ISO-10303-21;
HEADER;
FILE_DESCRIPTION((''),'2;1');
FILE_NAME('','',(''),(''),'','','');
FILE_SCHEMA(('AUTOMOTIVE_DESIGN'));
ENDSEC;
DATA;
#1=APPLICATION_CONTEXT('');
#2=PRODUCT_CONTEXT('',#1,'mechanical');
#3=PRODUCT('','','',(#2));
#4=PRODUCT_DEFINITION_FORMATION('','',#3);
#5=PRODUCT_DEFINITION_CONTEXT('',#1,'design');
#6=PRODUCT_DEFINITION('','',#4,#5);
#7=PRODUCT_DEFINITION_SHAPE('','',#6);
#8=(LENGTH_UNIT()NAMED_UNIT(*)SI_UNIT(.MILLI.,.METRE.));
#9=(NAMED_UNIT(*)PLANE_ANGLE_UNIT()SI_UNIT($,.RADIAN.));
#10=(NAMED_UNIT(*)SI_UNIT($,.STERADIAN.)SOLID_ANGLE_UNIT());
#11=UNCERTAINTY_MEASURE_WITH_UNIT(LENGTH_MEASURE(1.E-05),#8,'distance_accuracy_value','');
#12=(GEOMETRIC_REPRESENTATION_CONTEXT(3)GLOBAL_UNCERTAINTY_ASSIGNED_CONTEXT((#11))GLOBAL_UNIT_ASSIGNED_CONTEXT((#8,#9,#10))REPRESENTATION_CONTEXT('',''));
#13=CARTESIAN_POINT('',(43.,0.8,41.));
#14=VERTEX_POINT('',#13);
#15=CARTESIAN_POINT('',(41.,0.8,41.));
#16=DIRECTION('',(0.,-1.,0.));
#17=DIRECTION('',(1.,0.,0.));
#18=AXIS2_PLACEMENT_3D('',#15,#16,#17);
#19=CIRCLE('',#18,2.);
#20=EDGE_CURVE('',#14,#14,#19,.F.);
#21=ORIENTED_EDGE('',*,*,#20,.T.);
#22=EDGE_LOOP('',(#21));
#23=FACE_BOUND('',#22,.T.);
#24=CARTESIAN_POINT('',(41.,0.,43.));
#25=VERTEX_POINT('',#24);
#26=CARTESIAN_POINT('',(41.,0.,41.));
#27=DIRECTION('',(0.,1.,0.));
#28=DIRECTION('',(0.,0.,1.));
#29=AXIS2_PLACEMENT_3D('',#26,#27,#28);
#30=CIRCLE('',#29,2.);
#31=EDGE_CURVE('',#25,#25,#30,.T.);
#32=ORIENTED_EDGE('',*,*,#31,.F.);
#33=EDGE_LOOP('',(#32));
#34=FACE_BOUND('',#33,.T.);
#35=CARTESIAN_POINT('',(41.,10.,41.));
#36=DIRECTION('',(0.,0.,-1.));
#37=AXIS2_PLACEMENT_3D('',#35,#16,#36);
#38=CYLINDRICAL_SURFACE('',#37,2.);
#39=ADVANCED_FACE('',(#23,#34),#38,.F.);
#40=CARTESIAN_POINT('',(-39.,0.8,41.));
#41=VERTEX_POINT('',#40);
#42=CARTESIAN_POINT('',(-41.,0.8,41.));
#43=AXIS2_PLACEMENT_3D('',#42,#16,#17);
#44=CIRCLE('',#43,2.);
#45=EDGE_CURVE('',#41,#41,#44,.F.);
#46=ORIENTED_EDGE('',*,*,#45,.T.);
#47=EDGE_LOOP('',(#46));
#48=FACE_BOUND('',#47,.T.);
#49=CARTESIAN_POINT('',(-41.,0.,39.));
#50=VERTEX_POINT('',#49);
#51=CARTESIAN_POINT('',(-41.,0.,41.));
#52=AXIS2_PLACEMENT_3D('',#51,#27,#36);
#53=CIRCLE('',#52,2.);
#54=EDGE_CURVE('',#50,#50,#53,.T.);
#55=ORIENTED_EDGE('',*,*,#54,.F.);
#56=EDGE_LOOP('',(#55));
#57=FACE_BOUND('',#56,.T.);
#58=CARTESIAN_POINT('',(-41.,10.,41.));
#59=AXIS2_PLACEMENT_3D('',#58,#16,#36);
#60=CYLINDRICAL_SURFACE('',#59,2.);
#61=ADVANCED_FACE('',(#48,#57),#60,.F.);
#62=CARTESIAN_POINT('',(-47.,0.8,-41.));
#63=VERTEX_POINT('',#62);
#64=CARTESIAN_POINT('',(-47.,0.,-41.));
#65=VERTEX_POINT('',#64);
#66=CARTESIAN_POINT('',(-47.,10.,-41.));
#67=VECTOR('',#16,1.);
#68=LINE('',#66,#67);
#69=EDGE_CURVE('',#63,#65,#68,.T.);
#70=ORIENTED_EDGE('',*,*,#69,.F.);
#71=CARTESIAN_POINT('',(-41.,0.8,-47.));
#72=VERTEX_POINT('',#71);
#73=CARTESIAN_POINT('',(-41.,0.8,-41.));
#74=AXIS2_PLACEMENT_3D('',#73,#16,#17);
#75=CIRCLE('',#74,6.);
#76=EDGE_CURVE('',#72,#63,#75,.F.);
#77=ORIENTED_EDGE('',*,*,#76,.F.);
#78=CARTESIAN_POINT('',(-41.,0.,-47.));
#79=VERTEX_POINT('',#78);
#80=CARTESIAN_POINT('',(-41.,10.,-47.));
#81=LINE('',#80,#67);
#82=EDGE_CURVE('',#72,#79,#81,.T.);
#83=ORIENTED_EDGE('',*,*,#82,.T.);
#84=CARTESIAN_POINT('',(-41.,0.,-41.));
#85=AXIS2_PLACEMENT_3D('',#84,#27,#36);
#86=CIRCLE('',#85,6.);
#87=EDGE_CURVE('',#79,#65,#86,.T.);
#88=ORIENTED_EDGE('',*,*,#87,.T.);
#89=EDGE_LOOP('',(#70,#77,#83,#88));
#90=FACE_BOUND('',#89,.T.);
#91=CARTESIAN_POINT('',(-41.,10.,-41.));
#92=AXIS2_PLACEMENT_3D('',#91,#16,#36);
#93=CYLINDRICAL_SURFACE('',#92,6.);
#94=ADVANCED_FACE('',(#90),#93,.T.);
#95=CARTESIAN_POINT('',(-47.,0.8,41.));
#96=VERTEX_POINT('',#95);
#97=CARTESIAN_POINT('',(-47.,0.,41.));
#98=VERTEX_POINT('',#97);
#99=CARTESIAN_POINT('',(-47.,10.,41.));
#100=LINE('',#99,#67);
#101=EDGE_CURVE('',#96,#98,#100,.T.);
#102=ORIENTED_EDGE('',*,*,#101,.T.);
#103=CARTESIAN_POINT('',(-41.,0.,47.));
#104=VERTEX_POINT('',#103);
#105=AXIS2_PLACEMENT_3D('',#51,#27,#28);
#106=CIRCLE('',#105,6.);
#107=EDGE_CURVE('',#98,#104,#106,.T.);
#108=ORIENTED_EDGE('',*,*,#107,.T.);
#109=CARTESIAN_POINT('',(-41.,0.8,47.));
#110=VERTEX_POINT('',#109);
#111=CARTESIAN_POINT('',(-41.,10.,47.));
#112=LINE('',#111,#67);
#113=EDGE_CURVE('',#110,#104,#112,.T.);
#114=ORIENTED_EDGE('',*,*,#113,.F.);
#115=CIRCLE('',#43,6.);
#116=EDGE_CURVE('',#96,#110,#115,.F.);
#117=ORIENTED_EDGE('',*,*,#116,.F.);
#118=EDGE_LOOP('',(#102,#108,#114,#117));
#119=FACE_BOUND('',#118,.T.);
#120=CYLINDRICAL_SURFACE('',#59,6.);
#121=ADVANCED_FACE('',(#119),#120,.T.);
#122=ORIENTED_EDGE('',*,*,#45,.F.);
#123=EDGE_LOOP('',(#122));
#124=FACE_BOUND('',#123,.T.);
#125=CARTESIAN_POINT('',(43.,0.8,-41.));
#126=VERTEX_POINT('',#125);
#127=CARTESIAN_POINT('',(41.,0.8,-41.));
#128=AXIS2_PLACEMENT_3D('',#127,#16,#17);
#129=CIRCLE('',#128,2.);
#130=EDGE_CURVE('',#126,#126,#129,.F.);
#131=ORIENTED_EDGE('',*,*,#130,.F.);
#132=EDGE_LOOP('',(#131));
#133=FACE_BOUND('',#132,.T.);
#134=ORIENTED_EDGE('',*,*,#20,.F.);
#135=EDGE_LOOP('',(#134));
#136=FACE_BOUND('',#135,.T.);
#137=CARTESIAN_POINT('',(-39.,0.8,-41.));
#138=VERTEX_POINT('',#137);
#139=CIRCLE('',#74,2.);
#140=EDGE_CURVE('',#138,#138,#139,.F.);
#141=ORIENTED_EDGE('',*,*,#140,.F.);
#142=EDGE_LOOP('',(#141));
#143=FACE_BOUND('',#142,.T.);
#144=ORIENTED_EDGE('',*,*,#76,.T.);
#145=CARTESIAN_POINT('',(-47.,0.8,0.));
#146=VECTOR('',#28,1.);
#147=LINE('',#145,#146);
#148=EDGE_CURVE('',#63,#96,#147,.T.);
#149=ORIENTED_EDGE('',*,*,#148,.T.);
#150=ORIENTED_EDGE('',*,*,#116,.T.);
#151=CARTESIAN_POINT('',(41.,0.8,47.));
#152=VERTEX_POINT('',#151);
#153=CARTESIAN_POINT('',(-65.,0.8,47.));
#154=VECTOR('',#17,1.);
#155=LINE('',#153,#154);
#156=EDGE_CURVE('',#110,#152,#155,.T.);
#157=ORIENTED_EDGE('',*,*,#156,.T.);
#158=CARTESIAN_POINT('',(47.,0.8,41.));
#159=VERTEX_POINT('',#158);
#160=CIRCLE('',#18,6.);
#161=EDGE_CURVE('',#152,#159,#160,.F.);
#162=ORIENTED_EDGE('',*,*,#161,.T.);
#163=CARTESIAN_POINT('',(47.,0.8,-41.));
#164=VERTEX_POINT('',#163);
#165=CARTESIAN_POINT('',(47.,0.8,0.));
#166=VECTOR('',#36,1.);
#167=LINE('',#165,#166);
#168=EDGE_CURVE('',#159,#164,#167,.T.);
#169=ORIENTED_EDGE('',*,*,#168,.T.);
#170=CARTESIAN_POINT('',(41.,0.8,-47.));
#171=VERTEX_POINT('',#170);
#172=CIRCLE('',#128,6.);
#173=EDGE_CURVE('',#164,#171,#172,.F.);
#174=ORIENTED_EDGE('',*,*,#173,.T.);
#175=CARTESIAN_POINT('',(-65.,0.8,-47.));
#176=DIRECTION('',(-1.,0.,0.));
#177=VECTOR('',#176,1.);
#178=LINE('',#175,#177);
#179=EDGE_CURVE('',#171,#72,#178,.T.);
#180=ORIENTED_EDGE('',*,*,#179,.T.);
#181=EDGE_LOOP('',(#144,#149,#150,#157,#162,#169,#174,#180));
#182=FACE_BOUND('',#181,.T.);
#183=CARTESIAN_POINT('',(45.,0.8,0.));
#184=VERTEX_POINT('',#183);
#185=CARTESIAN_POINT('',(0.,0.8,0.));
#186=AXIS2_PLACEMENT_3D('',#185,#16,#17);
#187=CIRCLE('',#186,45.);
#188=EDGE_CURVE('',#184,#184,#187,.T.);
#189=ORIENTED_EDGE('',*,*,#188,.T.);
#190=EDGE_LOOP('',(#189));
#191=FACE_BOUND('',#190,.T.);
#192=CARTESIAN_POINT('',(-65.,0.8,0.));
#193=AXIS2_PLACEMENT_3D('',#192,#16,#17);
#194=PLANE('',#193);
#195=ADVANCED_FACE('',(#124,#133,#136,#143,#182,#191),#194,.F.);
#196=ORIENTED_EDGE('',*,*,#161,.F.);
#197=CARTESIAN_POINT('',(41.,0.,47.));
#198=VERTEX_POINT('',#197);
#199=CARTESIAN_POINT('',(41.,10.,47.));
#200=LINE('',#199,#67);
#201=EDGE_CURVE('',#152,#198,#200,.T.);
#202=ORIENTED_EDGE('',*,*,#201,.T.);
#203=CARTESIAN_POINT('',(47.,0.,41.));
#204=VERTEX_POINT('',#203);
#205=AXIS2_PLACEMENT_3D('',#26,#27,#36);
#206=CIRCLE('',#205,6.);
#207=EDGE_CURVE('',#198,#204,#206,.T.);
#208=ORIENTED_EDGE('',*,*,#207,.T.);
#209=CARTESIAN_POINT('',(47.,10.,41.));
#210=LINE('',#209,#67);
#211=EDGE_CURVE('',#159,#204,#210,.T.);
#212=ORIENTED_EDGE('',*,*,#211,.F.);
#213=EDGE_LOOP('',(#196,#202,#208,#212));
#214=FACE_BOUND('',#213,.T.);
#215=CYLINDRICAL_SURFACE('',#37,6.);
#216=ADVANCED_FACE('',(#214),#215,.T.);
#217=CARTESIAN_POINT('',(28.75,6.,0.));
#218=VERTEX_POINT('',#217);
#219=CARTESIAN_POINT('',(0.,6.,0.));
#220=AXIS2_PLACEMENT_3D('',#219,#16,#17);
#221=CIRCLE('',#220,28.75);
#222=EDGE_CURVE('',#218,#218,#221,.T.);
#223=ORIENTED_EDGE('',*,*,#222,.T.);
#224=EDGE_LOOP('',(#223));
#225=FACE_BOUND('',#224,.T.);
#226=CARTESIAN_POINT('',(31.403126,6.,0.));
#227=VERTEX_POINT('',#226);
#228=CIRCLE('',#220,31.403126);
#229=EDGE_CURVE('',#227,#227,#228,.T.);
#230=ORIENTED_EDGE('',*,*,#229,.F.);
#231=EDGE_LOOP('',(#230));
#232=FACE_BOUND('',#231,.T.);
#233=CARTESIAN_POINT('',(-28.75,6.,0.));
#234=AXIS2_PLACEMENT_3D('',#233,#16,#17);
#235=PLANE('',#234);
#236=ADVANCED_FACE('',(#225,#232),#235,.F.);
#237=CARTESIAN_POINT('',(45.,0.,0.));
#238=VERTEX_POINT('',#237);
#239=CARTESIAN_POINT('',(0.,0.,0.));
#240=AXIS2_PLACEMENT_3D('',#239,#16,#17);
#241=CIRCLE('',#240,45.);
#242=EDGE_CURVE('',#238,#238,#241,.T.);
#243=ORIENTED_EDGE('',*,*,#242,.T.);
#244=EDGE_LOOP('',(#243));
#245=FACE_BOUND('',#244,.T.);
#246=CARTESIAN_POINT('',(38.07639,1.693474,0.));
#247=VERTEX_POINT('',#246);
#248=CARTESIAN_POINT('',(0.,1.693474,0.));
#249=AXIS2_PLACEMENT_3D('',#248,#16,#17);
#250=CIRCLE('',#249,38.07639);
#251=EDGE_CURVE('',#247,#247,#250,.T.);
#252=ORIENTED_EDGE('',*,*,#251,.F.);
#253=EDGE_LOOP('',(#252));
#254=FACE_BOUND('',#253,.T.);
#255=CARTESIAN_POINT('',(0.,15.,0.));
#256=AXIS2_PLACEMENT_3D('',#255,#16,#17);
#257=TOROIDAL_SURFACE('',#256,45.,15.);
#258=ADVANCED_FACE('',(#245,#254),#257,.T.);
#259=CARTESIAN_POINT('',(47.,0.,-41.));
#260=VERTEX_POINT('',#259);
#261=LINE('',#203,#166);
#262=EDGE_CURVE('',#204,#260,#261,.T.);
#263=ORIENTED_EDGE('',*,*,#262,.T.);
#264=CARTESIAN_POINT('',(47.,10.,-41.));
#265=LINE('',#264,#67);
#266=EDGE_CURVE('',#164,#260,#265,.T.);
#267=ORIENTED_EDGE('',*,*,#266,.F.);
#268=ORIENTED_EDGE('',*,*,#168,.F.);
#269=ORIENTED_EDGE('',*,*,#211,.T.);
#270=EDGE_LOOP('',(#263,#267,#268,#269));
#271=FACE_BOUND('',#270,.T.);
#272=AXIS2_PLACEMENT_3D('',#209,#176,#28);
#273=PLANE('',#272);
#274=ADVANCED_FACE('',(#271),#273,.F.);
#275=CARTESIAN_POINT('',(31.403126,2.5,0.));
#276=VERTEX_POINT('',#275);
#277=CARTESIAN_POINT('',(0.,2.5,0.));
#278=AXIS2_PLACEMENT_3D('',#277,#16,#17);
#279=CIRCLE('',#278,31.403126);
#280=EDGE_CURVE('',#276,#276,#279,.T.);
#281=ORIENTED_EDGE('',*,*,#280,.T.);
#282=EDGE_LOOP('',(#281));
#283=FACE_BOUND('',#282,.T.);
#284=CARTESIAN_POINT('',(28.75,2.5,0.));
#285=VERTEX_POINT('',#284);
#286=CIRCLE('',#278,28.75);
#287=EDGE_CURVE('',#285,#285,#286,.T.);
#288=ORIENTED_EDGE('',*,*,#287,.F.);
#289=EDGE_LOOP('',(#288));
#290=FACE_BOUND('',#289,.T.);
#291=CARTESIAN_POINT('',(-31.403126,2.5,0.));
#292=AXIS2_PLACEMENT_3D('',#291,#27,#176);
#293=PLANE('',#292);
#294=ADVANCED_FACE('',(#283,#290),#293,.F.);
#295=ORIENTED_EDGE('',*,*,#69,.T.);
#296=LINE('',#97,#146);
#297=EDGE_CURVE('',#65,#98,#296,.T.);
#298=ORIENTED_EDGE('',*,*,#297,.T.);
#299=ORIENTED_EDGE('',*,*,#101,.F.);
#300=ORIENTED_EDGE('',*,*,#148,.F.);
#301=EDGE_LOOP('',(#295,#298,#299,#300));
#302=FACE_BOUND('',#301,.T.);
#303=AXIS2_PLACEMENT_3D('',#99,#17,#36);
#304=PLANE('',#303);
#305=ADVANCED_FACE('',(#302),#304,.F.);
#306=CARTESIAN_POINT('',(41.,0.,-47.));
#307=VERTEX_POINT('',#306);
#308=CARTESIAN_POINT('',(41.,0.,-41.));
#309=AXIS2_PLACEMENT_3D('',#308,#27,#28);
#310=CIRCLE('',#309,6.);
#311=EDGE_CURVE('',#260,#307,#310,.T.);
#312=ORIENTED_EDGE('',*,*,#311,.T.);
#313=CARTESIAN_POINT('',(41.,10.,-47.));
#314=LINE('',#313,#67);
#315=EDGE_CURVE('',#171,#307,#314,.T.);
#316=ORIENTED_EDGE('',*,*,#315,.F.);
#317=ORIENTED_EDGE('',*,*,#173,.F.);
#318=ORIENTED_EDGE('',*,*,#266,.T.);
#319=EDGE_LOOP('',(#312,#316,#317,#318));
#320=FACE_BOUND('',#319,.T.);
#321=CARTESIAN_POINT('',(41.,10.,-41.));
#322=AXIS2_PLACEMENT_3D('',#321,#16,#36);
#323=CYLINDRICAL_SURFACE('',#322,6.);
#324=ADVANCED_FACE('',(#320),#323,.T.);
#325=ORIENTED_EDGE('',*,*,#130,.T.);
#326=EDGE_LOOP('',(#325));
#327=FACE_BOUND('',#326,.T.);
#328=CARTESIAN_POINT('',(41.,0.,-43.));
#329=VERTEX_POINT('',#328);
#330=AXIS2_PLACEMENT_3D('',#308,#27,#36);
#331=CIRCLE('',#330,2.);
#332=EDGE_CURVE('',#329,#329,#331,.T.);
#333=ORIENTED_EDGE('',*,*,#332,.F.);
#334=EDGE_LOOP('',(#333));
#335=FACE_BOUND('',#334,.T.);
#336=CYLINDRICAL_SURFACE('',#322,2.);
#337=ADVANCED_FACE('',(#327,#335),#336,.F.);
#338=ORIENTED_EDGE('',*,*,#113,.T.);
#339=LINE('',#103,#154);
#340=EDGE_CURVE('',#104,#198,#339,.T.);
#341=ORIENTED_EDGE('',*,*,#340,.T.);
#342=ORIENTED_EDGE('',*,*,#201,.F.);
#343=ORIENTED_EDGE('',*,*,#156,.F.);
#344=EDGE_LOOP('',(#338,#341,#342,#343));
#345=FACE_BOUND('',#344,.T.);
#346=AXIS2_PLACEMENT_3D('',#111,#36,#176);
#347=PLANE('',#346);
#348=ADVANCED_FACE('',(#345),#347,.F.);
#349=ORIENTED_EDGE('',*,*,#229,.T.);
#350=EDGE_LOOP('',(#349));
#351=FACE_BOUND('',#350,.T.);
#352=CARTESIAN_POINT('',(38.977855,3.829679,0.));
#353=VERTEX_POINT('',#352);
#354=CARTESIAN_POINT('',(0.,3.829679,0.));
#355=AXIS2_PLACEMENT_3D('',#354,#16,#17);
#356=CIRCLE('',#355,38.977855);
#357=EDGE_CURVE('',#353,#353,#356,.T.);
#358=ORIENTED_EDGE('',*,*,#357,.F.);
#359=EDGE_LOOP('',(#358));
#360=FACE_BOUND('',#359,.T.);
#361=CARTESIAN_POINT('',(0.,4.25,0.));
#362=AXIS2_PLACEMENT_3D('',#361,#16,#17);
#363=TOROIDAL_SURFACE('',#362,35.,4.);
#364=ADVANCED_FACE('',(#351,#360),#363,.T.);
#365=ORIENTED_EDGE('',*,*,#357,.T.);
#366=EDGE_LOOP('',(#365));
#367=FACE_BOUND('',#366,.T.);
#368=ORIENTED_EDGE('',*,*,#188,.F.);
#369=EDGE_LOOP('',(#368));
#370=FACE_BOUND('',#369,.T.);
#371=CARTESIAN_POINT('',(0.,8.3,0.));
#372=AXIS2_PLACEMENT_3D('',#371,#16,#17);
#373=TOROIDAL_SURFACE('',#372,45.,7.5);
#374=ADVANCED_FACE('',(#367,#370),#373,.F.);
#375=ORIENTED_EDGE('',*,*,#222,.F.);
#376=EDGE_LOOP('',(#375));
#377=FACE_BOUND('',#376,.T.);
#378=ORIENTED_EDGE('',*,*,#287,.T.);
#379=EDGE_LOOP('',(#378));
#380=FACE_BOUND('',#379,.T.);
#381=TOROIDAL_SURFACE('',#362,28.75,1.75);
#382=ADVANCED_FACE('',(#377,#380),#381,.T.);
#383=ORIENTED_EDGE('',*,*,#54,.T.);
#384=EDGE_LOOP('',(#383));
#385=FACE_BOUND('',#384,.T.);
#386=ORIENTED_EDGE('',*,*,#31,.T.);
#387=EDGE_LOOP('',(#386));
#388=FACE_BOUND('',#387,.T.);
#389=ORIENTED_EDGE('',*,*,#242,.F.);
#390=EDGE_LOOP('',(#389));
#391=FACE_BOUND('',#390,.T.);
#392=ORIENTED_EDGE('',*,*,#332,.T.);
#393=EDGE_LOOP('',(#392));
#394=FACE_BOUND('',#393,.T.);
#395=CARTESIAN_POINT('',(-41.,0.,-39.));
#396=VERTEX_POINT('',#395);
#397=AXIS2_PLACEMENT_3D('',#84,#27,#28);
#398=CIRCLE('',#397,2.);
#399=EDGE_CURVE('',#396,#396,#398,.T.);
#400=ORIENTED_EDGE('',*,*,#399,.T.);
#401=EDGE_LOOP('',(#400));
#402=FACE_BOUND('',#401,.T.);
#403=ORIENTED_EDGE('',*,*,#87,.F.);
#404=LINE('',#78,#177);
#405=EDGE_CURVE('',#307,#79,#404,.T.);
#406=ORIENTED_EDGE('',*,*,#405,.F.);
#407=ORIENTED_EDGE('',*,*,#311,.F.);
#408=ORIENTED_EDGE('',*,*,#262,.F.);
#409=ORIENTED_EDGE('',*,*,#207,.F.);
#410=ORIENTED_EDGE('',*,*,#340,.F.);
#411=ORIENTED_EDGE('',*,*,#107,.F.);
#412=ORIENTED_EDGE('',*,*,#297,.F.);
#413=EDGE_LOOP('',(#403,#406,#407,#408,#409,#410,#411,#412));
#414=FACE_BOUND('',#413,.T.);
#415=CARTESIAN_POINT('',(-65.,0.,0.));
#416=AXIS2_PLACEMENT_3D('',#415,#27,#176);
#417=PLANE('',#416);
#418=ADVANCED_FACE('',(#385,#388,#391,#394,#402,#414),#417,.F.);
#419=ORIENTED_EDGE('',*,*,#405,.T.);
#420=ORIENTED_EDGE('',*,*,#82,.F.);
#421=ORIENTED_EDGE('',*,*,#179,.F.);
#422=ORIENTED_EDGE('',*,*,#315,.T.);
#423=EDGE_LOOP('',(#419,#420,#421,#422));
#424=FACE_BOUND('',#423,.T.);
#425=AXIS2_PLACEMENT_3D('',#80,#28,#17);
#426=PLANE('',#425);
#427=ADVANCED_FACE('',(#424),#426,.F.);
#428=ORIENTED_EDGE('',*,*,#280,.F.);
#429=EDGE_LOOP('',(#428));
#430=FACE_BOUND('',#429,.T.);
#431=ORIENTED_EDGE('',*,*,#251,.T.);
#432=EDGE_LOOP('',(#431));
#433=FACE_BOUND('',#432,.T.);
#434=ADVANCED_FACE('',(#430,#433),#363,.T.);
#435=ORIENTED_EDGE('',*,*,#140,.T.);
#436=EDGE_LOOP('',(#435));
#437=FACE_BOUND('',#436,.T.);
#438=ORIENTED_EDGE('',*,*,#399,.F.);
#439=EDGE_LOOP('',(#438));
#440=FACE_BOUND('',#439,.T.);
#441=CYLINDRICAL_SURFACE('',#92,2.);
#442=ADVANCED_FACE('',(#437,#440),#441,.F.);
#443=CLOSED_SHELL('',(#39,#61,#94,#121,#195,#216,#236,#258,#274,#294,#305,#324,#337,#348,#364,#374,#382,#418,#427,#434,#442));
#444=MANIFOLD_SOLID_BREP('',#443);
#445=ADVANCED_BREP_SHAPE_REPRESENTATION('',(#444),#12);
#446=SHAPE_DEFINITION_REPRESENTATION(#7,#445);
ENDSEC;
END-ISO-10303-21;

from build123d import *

# Parameters (mm, degrees)
ESQUISSE3_OUTSIDE_W     = 168.806
ESQUISSE3_OUTSIDE_H     = 168.806
ESQUISSE3_OUTSIDE_R     = 2
ENL_V_MAT_EXTRU_4_DEPTH = 10


with BuildPart() as part:
    # Esquisse2 → Révolution1 (revolve)
    with BuildSketch(Plane.XY, mode=Mode.PRIVATE) as r_volution1_sk:
        with BuildLine():
            Line((-65, 0), (-45, 0))
            ThreePointArc((-45, 0), (-41.436145743, 0.429518099), (-38.076390139, 1.693474289))
            ThreePointArc((-38.076390139, 1.693474289), (-34.520055524, 0.278897722), (-31.403126358, 2.5))
            Line((-31.403126358, 2.5), (-28.75, 2.5))
            ThreePointArc((-28.75, 2.5), (-27, 4.25), (-28.75, 6))
            Line((-28.75, 6), (-31.403126358, 6))
            ThreePointArc((-31.403126358, 6), (-36.101753129, 8.095275028), (-38.977854987, 3.829679045))
            ThreePointArc((-38.977854987, 3.829679045), (-41.629347775, 1.600096748), (-45, 0.8))
            Line((-45, 0.8), (-65, 0.8))
            Line((-65, 0.8), (-65, 0))
        make_face()
    revolve(r_volution1_sk.sketch.rotate(Axis((0, 0, 0), (0, 1, 0)), 180), axis=Axis((0, 0, 0), (0, 1, 0)))

    # Esquisse3 outside → Enlèv. mat.-Extru.4 (cut)
    # profile 1 of 5: a face of its own
    with BuildSketch(Plane(origin=(0, 0, 0), x_dir=(1, 0, 0), z_dir=(0, 1, 0))):
        Rectangle(ESQUISSE3_OUTSIDE_W, ESQUISSE3_OUTSIDE_H)
        with BuildLine():
            Line((-47, -41), (-47, 41))
            ThreePointArc((-47, 41), (-45.242640687, 45.242640687), (-41, 47))
            Line((-41, 47), (41, 47))
            ThreePointArc((41, 47), (45.242640687, 45.242640687), (47, 41))
            Line((47, 41), (47, -41))
            ThreePointArc((47, -41), (45.242640687, -45.242640687), (41, -47))
            Line((41, -47), (-41, -47))
            ThreePointArc((-41, -47), (-45.242640687, -45.242640687), (-47, -41))
        make_face(mode=Mode.SUBTRACT)
    # profile 2 of 5: a face of its own
    with BuildSketch(Plane(origin=(0, 0, 0), x_dir=(1, 0, 0), z_dir=(0, 1, 0))):
        with Locations((-41, 41)):
            Circle(ESQUISSE3_OUTSIDE_R)
    # profile 3 of 5: a face of its own
    with BuildSketch(Plane(origin=(0, 0, 0), x_dir=(1, 0, 0), z_dir=(0, 1, 0))):
        with Locations(Location((-41, -41, 0), (0, 0, 90))):
            Circle(ESQUISSE3_OUTSIDE_R)
    # profile 4 of 5: a face of its own
    with BuildSketch(Plane(origin=(0, 0, 0), x_dir=(1, 0, 0), z_dir=(0, 1, 0))):
        with Locations((41, -41)):
            Circle(ESQUISSE3_OUTSIDE_R)
    # profile 5 of 5: a face of its own
    with BuildSketch(Plane(origin=(0, 0, 0), x_dir=(1, 0, 0), z_dir=(0, 1, 0))):
        with Locations(Location((41, 41, 0), (0, 0, 90))):
            Circle(ESQUISSE3_OUTSIDE_R)
    extrude(amount=ENL_V_MAT_EXTRU_4_DEPTH, mode=Mode.SUBTRACT)


solid = part.part
